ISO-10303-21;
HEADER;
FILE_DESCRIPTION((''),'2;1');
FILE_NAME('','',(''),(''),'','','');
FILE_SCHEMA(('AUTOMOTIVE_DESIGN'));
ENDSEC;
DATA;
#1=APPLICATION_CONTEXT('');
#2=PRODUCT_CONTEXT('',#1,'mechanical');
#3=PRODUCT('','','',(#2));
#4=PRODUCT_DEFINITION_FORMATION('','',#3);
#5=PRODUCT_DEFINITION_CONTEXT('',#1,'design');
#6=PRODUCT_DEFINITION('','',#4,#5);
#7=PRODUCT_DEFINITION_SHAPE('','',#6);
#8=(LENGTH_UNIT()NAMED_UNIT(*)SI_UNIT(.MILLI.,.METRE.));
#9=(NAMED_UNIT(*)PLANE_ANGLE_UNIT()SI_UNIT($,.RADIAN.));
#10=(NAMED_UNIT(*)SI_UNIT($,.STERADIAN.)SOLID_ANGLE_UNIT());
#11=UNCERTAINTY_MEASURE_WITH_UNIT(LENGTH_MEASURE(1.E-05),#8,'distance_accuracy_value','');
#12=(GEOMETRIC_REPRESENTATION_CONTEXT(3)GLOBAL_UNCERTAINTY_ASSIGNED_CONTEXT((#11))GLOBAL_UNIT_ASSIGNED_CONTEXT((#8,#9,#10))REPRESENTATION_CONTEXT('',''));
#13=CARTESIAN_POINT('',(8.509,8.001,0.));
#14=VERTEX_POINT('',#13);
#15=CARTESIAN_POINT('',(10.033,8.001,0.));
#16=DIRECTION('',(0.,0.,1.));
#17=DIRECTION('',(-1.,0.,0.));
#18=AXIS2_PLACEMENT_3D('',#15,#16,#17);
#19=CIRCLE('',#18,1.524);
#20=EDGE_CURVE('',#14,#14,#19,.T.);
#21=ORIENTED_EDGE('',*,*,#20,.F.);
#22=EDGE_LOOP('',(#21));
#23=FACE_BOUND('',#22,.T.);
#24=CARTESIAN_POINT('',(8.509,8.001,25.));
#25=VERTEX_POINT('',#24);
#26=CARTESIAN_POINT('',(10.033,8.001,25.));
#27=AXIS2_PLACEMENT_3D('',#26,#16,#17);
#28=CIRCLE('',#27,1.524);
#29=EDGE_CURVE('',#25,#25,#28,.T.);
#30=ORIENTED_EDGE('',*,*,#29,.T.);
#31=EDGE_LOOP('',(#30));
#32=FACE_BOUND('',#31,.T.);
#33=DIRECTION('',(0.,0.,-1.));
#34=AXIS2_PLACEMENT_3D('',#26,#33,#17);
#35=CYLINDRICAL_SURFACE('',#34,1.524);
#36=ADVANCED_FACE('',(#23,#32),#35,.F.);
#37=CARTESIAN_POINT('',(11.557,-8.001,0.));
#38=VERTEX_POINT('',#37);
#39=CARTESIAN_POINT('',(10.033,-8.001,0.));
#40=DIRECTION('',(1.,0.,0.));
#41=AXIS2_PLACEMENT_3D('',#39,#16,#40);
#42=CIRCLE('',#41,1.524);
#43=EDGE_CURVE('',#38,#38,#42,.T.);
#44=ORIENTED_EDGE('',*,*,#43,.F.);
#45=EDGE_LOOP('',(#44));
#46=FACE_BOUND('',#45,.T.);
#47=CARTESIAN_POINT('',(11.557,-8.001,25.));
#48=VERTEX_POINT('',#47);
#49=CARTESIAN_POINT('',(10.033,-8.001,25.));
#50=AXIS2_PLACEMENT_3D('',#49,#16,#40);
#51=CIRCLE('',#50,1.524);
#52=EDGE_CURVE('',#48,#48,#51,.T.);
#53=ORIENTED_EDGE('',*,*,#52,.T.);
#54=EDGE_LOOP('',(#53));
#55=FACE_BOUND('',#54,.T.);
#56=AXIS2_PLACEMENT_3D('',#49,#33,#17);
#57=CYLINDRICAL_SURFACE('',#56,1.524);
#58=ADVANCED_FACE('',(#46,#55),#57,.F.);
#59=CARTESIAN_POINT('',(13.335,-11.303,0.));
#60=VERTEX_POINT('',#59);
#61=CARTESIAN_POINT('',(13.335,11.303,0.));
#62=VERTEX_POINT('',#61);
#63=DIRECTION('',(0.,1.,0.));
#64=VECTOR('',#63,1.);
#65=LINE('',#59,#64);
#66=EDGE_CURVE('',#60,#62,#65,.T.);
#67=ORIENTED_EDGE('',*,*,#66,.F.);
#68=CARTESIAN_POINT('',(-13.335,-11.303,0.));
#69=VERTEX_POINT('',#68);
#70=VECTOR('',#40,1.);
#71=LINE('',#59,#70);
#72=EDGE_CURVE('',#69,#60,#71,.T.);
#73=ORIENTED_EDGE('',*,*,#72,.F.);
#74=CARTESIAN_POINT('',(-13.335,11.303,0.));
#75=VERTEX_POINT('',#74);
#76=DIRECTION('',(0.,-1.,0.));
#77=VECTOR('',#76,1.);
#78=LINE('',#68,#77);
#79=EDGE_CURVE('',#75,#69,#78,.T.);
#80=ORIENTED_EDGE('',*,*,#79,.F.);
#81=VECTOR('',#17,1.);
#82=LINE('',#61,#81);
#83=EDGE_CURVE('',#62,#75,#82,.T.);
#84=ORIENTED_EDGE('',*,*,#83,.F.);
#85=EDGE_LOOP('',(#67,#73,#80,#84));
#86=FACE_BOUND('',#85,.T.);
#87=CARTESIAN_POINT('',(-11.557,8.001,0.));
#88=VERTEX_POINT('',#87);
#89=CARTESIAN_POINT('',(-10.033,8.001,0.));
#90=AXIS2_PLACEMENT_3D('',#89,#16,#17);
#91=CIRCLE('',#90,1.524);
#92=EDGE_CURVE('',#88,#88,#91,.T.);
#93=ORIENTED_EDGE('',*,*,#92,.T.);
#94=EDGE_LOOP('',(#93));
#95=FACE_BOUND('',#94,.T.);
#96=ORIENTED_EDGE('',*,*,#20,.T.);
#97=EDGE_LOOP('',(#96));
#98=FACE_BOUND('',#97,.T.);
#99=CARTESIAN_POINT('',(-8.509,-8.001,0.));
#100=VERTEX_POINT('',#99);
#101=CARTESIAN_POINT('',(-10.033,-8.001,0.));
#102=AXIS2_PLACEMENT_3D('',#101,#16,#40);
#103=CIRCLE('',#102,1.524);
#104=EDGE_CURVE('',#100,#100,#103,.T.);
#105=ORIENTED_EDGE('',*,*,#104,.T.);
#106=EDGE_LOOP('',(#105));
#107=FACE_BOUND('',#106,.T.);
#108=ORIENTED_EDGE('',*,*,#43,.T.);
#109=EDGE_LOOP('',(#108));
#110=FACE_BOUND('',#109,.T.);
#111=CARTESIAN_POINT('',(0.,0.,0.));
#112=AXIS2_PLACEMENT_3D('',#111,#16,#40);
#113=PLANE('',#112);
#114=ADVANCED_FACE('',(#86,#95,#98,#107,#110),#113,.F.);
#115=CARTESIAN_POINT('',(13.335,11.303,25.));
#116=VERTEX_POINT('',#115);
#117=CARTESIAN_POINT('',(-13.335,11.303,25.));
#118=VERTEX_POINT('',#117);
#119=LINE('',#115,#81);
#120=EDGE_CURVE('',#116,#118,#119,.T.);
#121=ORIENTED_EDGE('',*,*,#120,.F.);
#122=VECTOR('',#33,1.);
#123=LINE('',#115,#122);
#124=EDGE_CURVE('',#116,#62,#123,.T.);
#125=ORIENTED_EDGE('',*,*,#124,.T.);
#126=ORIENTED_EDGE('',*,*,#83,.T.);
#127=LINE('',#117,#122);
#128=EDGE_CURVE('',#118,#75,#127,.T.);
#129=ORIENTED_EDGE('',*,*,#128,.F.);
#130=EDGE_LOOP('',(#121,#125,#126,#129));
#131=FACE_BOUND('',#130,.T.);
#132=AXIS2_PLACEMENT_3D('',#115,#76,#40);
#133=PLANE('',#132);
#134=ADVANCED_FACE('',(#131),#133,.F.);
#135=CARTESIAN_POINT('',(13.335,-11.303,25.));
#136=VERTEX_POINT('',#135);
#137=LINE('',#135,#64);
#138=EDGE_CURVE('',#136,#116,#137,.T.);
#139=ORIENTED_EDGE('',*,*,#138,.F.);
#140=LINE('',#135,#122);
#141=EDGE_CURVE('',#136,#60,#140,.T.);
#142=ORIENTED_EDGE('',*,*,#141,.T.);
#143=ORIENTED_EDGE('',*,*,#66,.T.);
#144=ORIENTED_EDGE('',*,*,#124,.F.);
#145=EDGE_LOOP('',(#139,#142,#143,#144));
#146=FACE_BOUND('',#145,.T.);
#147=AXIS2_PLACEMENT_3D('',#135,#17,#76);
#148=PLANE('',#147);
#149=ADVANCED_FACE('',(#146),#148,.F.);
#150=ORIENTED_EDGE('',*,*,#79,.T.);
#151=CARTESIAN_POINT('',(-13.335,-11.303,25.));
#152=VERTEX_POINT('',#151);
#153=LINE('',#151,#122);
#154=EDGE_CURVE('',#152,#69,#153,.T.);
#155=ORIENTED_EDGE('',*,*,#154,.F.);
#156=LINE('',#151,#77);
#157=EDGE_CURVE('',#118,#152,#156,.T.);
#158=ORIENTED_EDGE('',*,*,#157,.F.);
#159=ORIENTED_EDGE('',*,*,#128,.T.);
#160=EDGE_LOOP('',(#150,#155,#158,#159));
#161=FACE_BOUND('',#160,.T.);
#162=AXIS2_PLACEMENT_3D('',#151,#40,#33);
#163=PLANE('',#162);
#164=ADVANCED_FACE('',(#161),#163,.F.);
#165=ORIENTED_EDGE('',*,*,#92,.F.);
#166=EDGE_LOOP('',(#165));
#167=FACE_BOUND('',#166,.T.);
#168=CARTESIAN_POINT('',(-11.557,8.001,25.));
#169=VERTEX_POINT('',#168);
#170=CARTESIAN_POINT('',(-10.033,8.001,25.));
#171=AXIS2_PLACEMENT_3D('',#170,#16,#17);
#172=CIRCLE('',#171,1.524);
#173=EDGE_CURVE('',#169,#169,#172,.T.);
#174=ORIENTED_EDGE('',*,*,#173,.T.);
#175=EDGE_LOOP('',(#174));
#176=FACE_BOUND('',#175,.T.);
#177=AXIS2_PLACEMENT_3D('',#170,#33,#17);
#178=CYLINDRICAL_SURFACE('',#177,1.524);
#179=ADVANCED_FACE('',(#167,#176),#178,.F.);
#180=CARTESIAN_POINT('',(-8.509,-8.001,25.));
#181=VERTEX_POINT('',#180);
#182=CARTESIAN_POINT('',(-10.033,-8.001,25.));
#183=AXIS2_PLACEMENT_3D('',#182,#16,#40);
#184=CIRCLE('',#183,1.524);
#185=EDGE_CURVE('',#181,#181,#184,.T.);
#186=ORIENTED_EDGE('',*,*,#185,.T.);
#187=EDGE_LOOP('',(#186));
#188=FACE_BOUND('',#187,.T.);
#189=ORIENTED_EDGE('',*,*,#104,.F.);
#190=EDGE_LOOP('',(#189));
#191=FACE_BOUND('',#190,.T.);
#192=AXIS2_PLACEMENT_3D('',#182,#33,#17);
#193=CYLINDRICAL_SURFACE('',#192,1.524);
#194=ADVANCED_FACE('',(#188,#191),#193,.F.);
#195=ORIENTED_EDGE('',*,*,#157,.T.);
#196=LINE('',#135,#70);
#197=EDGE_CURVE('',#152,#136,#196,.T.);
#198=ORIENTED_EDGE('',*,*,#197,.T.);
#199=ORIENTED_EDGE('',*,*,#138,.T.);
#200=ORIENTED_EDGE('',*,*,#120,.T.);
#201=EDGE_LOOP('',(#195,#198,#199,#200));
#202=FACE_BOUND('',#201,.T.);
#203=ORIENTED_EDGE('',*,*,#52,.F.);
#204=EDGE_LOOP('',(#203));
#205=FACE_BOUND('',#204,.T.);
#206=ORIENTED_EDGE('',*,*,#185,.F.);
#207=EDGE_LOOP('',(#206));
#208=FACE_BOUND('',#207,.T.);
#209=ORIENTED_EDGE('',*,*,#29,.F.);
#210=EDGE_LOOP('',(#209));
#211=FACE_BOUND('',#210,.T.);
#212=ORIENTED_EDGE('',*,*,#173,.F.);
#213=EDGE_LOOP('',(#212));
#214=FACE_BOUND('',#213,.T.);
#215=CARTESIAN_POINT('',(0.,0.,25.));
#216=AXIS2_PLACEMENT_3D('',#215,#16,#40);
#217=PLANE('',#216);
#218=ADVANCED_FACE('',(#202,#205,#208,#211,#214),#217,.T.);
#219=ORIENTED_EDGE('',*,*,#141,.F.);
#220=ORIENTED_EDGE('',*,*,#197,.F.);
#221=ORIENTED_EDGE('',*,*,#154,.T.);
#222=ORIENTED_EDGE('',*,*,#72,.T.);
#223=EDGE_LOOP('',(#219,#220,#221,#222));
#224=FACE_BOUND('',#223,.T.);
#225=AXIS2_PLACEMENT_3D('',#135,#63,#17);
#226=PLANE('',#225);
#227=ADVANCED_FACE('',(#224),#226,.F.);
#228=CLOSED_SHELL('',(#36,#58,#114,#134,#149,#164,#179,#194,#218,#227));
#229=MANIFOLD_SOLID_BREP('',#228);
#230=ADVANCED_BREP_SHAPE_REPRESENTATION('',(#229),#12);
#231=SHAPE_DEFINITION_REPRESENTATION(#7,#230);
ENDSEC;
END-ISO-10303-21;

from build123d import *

# Parameters (mm, degrees)
SKETCH1_W           = 26.67
SKETCH1_H           = 22.606
SKETCH1_R           = 1.524
BOSS_EXTRUDE2_DEPTH = 25


with BuildPart() as part:
    # Sketch1 → Boss-Extrude2 (new body)
    with BuildSketch(Plane.XY):
        Rectangle(SKETCH1_W, SKETCH1_H)
        with Locations((10.033, -8.001)):
            Circle(SKETCH1_R, mode=Mode.SUBTRACT)
        with Locations(Location((10.033, 8.001, 0), (0, 0, 180))):
            Circle(SKETCH1_R, mode=Mode.SUBTRACT)
        with Locations(Location((-10.033, 8.001, 0), (0, 0, 180))):
            Circle(SKETCH1_R, mode=Mode.SUBTRACT)
        with Locations((-10.033, -8.001)):
            Circle(SKETCH1_R, mode=Mode.SUBTRACT)
    extrude(amount=BOSS_EXTRUDE2_DEPTH)


solid = part.part
